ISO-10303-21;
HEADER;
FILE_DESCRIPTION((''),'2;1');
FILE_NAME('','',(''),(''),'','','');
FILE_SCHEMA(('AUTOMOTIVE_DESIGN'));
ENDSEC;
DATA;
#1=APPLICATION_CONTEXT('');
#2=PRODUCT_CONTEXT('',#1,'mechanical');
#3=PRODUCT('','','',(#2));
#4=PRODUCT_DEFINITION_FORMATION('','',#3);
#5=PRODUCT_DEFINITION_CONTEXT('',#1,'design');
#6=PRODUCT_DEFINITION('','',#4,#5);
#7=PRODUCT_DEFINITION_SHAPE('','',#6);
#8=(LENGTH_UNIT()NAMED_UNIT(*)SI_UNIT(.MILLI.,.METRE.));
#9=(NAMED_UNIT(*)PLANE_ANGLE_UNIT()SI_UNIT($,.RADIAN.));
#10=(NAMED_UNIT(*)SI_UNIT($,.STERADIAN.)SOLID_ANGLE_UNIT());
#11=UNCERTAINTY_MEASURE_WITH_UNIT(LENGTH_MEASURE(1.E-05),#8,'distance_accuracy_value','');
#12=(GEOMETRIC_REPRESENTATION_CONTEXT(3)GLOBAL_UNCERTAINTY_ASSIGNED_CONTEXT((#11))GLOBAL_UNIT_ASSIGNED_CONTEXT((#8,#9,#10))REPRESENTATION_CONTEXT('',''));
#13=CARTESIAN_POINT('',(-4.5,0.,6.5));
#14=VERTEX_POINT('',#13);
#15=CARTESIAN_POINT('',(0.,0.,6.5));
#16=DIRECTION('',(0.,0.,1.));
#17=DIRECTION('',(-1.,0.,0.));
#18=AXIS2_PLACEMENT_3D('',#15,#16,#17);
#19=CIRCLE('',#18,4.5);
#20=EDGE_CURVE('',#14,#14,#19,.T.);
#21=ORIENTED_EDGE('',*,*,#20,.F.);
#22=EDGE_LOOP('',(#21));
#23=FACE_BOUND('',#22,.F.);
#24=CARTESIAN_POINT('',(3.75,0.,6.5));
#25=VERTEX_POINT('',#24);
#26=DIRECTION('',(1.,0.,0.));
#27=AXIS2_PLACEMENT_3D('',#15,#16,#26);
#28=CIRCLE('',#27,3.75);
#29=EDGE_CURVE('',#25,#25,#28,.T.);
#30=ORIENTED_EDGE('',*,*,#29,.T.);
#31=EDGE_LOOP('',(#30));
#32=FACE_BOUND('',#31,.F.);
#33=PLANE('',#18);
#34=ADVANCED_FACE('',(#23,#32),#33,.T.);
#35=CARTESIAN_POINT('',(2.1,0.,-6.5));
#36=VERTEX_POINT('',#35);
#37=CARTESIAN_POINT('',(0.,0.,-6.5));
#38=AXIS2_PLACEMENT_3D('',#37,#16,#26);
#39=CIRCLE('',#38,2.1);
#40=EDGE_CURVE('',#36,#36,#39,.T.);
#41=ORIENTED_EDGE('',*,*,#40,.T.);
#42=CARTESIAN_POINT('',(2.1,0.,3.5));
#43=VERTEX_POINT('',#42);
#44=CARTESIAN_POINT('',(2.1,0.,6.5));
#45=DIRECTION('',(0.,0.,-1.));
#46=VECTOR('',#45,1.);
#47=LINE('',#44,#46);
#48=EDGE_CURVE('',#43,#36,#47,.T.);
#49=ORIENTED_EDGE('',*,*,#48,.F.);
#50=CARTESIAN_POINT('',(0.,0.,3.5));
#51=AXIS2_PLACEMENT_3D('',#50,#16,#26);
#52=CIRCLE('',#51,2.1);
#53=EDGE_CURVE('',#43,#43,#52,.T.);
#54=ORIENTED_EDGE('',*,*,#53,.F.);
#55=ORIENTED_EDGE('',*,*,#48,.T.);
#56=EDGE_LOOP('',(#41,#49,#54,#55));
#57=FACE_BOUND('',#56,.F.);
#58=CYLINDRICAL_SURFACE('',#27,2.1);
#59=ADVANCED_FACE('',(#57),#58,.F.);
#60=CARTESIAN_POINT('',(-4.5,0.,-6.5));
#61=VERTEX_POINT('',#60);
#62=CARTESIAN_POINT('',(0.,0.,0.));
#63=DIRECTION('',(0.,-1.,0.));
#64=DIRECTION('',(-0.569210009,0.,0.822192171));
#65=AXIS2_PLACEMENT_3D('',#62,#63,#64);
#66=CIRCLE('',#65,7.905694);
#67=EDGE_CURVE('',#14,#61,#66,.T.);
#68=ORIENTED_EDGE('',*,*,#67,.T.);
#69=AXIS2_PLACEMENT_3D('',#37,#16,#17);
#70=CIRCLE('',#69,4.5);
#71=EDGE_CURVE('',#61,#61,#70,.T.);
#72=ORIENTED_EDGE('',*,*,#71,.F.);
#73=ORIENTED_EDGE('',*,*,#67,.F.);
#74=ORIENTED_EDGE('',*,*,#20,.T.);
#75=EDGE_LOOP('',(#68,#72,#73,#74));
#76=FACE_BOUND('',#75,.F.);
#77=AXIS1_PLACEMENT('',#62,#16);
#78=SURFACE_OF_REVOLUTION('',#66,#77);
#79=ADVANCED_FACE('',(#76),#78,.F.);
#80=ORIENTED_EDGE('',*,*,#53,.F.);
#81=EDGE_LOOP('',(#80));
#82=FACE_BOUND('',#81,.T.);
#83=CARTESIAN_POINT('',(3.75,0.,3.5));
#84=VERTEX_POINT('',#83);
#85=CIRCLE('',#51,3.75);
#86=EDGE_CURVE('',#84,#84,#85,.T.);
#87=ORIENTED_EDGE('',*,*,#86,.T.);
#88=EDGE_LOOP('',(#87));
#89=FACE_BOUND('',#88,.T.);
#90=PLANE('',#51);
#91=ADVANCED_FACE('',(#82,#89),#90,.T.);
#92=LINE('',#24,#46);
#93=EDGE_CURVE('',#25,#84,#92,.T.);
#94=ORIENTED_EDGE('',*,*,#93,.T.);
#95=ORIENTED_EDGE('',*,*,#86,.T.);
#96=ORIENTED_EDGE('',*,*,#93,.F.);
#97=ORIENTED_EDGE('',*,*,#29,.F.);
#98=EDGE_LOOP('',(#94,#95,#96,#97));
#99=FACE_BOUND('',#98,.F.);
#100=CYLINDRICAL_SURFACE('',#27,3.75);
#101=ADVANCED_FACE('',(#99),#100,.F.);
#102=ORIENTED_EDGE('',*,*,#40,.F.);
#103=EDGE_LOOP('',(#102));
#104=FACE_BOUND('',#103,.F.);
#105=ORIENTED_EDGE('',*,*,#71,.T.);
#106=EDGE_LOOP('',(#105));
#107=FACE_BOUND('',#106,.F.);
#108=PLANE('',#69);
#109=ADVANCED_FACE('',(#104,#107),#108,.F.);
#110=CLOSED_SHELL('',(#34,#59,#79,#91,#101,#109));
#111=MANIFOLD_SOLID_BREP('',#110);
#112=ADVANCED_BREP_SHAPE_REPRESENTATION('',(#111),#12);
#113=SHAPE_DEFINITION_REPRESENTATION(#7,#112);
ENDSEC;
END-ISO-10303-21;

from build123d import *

# Parameters (mm, degrees)
F2_R     = 2.1
F3_DEPTH = 13.001
F2_R_2   = 3.75
F4_DEPTH = 3


with BuildPart() as f1:
    # F0 (on Front) → F1 (revolve)
    with BuildSketch(Plane.XZ):
        with BuildLine():
            Line((0, -6.5), (0, 6.5))
            Line((0, 6.5), (-4.5, 6.5))
            ThreePointArc((-4.5, 6.5), (-7.905694, 0), (-4.5, -6.5))
            Line((-4.5, -6.5), (0, -6.5))
        make_face()
    revolve(axis=Axis((0, 0, 0), (0, 0, 1)))

    # F2 (on face) → F3 (cut, through all)
    with BuildSketch(Plane.XY.offset(6.5)):
        Circle(F2_R)
    extrude(amount=-F3_DEPTH, mode=Mode.SUBTRACT)

    # F2 (on face) → F4 (cut)
    with BuildSketch(Plane.XY.offset(6.5)):
        Circle(F2_R_2)
        Circle(F2_R, mode=Mode.SUBTRACT)
    extrude(amount=-F4_DEPTH, mode=Mode.SUBTRACT)


solid = f1.part
